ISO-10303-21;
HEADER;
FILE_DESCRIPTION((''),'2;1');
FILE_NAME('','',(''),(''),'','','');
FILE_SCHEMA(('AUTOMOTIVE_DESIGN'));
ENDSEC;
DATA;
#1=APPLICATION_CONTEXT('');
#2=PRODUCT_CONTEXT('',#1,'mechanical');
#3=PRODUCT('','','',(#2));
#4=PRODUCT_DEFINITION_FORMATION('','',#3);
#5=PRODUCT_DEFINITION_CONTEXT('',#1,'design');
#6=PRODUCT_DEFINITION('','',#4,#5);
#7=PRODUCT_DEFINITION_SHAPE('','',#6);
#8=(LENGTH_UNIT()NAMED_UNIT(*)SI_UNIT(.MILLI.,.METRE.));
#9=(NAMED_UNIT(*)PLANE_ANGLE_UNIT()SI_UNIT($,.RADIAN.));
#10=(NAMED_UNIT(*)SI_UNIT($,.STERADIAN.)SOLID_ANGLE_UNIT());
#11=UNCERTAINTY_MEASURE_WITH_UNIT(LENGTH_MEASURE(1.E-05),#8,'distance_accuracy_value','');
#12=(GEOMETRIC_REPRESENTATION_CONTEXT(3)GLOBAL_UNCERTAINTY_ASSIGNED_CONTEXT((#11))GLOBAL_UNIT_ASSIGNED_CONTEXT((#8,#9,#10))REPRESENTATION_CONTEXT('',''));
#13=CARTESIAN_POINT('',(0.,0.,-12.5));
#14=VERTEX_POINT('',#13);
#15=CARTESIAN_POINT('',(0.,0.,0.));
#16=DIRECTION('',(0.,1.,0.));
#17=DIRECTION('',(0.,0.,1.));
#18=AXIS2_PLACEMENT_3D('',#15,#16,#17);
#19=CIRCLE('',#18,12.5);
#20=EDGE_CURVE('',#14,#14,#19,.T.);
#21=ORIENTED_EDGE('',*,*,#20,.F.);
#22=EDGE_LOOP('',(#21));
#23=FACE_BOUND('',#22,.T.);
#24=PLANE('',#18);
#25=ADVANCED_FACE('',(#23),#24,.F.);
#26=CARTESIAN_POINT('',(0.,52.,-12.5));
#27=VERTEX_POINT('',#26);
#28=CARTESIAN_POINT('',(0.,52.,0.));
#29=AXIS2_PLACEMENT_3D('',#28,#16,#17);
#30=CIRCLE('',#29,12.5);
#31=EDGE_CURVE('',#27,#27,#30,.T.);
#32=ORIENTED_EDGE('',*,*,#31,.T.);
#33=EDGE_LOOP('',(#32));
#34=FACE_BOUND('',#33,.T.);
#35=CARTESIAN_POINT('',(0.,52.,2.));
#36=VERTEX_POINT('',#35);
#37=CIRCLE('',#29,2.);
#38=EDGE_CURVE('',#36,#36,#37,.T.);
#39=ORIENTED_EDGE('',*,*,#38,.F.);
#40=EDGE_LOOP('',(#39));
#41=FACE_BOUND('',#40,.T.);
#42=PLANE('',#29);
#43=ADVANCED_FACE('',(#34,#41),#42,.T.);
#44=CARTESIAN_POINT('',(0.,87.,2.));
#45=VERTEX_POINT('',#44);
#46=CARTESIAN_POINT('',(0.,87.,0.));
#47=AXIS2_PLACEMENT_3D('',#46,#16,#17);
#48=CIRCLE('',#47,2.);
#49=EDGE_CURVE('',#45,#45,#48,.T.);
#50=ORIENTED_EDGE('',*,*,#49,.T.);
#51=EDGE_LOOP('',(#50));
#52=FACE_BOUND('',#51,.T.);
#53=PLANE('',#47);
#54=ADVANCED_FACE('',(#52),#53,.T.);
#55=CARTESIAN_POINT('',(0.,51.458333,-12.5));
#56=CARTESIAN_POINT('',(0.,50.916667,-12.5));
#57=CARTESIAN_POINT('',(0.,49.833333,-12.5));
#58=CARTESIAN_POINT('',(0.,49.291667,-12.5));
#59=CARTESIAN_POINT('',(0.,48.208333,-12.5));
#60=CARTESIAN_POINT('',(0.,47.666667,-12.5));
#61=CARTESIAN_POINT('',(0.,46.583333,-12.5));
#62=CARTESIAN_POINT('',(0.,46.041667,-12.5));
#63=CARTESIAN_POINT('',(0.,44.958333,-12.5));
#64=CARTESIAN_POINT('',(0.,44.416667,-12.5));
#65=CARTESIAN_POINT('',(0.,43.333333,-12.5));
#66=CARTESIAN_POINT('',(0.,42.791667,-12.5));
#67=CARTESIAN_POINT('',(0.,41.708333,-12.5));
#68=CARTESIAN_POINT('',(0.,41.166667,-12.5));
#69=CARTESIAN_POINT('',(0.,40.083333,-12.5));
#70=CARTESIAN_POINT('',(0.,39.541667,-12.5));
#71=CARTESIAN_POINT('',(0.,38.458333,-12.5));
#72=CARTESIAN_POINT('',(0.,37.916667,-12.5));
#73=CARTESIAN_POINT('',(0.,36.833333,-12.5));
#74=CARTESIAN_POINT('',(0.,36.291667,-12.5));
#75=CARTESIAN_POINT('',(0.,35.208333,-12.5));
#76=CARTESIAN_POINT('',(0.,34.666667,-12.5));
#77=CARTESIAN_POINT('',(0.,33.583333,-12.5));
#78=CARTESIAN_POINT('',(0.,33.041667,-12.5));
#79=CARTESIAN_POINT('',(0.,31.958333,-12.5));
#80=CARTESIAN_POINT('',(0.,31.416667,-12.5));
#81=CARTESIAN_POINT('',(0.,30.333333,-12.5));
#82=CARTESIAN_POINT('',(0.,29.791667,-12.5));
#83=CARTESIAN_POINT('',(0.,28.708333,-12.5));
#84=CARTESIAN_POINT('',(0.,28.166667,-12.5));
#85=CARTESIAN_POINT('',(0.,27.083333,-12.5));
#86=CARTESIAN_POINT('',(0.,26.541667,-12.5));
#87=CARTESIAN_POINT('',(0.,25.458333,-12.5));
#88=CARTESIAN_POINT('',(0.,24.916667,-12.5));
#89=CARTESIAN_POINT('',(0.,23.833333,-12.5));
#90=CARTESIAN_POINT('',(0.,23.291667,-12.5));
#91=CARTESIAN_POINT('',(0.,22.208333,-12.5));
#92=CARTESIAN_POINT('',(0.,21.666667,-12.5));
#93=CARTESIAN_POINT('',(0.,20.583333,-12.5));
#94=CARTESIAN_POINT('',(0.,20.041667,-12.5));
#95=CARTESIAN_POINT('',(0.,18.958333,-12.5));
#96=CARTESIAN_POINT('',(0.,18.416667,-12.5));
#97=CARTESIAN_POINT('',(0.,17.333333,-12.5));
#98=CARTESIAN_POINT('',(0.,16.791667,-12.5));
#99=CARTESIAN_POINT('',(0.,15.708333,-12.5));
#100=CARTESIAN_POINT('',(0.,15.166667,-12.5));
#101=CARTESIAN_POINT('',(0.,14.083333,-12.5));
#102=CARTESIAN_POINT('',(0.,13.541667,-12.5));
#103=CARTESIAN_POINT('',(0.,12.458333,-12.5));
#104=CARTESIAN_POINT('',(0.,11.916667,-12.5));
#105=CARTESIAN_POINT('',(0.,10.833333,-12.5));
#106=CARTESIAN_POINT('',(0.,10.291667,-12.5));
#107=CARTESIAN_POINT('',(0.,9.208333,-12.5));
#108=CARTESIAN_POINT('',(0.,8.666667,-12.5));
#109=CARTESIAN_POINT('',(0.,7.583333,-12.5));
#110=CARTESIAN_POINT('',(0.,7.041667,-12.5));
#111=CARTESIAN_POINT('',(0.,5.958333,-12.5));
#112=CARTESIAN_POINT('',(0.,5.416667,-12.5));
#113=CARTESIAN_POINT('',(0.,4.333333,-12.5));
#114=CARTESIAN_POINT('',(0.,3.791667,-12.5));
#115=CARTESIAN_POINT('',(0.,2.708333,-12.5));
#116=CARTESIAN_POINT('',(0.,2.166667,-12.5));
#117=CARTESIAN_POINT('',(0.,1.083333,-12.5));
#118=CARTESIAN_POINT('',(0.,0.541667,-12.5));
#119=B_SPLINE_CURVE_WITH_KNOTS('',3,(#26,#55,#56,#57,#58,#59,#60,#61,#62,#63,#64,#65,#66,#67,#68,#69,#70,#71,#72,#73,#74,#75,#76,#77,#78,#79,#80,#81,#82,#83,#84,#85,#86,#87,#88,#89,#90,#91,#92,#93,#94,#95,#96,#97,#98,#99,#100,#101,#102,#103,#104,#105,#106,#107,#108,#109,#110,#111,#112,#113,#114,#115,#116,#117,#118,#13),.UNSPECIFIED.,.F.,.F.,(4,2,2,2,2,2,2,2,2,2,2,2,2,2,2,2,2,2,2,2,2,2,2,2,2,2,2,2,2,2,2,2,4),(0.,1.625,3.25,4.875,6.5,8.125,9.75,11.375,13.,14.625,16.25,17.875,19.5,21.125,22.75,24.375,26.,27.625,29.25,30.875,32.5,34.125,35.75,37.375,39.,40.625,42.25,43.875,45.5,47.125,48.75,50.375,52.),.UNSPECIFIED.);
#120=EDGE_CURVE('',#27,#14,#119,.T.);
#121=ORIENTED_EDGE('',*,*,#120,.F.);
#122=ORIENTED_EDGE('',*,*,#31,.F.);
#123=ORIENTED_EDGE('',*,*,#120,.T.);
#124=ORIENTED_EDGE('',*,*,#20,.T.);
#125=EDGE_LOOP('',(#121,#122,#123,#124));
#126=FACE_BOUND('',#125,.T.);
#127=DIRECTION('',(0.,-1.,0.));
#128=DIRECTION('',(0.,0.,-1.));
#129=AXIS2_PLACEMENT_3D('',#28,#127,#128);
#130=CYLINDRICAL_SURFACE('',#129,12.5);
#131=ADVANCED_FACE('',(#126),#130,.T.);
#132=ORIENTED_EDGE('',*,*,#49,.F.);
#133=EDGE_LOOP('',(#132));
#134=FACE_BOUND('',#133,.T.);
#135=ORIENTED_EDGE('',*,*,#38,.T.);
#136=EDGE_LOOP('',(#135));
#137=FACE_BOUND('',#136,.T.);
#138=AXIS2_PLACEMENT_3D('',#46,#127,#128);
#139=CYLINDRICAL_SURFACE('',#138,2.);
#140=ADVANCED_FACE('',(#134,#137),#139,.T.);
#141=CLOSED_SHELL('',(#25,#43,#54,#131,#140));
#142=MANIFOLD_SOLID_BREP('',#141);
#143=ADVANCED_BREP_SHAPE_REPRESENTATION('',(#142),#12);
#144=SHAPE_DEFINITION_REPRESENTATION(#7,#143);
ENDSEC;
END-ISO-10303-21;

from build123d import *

# Parameters (mm, degrees)
SKETCH1_R           = 12.5
BOSS_EXTRUDE1_DEPTH = 52
SKETCH2_R           = 2
BOSS_EXTRUDE2_DEPTH = 35


with BuildPart() as part:
    # Sketch1 → Boss-Extrude1 (new body)
    with BuildSketch(Plane(origin=(0, 0, 0), x_dir=(1, 0, 0), z_dir=(0, 1, 0))):
        with Locations(Location((0, 0, 0), (0, 0, 90))):
            Circle(SKETCH1_R)
    extrude(amount=BOSS_EXTRUDE1_DEPTH)

    # Sketch2 → Boss-Extrude2 (add)
    with BuildSketch(Plane(origin=(0, 52, 0), x_dir=(1, 0, 0), z_dir=(0, 1, 0))):
        with Locations(Location((0, 0, 0), (0, 0, 270))):
            Circle(SKETCH2_R)
    extrude(amount=BOSS_EXTRUDE2_DEPTH)


solid = part.part
